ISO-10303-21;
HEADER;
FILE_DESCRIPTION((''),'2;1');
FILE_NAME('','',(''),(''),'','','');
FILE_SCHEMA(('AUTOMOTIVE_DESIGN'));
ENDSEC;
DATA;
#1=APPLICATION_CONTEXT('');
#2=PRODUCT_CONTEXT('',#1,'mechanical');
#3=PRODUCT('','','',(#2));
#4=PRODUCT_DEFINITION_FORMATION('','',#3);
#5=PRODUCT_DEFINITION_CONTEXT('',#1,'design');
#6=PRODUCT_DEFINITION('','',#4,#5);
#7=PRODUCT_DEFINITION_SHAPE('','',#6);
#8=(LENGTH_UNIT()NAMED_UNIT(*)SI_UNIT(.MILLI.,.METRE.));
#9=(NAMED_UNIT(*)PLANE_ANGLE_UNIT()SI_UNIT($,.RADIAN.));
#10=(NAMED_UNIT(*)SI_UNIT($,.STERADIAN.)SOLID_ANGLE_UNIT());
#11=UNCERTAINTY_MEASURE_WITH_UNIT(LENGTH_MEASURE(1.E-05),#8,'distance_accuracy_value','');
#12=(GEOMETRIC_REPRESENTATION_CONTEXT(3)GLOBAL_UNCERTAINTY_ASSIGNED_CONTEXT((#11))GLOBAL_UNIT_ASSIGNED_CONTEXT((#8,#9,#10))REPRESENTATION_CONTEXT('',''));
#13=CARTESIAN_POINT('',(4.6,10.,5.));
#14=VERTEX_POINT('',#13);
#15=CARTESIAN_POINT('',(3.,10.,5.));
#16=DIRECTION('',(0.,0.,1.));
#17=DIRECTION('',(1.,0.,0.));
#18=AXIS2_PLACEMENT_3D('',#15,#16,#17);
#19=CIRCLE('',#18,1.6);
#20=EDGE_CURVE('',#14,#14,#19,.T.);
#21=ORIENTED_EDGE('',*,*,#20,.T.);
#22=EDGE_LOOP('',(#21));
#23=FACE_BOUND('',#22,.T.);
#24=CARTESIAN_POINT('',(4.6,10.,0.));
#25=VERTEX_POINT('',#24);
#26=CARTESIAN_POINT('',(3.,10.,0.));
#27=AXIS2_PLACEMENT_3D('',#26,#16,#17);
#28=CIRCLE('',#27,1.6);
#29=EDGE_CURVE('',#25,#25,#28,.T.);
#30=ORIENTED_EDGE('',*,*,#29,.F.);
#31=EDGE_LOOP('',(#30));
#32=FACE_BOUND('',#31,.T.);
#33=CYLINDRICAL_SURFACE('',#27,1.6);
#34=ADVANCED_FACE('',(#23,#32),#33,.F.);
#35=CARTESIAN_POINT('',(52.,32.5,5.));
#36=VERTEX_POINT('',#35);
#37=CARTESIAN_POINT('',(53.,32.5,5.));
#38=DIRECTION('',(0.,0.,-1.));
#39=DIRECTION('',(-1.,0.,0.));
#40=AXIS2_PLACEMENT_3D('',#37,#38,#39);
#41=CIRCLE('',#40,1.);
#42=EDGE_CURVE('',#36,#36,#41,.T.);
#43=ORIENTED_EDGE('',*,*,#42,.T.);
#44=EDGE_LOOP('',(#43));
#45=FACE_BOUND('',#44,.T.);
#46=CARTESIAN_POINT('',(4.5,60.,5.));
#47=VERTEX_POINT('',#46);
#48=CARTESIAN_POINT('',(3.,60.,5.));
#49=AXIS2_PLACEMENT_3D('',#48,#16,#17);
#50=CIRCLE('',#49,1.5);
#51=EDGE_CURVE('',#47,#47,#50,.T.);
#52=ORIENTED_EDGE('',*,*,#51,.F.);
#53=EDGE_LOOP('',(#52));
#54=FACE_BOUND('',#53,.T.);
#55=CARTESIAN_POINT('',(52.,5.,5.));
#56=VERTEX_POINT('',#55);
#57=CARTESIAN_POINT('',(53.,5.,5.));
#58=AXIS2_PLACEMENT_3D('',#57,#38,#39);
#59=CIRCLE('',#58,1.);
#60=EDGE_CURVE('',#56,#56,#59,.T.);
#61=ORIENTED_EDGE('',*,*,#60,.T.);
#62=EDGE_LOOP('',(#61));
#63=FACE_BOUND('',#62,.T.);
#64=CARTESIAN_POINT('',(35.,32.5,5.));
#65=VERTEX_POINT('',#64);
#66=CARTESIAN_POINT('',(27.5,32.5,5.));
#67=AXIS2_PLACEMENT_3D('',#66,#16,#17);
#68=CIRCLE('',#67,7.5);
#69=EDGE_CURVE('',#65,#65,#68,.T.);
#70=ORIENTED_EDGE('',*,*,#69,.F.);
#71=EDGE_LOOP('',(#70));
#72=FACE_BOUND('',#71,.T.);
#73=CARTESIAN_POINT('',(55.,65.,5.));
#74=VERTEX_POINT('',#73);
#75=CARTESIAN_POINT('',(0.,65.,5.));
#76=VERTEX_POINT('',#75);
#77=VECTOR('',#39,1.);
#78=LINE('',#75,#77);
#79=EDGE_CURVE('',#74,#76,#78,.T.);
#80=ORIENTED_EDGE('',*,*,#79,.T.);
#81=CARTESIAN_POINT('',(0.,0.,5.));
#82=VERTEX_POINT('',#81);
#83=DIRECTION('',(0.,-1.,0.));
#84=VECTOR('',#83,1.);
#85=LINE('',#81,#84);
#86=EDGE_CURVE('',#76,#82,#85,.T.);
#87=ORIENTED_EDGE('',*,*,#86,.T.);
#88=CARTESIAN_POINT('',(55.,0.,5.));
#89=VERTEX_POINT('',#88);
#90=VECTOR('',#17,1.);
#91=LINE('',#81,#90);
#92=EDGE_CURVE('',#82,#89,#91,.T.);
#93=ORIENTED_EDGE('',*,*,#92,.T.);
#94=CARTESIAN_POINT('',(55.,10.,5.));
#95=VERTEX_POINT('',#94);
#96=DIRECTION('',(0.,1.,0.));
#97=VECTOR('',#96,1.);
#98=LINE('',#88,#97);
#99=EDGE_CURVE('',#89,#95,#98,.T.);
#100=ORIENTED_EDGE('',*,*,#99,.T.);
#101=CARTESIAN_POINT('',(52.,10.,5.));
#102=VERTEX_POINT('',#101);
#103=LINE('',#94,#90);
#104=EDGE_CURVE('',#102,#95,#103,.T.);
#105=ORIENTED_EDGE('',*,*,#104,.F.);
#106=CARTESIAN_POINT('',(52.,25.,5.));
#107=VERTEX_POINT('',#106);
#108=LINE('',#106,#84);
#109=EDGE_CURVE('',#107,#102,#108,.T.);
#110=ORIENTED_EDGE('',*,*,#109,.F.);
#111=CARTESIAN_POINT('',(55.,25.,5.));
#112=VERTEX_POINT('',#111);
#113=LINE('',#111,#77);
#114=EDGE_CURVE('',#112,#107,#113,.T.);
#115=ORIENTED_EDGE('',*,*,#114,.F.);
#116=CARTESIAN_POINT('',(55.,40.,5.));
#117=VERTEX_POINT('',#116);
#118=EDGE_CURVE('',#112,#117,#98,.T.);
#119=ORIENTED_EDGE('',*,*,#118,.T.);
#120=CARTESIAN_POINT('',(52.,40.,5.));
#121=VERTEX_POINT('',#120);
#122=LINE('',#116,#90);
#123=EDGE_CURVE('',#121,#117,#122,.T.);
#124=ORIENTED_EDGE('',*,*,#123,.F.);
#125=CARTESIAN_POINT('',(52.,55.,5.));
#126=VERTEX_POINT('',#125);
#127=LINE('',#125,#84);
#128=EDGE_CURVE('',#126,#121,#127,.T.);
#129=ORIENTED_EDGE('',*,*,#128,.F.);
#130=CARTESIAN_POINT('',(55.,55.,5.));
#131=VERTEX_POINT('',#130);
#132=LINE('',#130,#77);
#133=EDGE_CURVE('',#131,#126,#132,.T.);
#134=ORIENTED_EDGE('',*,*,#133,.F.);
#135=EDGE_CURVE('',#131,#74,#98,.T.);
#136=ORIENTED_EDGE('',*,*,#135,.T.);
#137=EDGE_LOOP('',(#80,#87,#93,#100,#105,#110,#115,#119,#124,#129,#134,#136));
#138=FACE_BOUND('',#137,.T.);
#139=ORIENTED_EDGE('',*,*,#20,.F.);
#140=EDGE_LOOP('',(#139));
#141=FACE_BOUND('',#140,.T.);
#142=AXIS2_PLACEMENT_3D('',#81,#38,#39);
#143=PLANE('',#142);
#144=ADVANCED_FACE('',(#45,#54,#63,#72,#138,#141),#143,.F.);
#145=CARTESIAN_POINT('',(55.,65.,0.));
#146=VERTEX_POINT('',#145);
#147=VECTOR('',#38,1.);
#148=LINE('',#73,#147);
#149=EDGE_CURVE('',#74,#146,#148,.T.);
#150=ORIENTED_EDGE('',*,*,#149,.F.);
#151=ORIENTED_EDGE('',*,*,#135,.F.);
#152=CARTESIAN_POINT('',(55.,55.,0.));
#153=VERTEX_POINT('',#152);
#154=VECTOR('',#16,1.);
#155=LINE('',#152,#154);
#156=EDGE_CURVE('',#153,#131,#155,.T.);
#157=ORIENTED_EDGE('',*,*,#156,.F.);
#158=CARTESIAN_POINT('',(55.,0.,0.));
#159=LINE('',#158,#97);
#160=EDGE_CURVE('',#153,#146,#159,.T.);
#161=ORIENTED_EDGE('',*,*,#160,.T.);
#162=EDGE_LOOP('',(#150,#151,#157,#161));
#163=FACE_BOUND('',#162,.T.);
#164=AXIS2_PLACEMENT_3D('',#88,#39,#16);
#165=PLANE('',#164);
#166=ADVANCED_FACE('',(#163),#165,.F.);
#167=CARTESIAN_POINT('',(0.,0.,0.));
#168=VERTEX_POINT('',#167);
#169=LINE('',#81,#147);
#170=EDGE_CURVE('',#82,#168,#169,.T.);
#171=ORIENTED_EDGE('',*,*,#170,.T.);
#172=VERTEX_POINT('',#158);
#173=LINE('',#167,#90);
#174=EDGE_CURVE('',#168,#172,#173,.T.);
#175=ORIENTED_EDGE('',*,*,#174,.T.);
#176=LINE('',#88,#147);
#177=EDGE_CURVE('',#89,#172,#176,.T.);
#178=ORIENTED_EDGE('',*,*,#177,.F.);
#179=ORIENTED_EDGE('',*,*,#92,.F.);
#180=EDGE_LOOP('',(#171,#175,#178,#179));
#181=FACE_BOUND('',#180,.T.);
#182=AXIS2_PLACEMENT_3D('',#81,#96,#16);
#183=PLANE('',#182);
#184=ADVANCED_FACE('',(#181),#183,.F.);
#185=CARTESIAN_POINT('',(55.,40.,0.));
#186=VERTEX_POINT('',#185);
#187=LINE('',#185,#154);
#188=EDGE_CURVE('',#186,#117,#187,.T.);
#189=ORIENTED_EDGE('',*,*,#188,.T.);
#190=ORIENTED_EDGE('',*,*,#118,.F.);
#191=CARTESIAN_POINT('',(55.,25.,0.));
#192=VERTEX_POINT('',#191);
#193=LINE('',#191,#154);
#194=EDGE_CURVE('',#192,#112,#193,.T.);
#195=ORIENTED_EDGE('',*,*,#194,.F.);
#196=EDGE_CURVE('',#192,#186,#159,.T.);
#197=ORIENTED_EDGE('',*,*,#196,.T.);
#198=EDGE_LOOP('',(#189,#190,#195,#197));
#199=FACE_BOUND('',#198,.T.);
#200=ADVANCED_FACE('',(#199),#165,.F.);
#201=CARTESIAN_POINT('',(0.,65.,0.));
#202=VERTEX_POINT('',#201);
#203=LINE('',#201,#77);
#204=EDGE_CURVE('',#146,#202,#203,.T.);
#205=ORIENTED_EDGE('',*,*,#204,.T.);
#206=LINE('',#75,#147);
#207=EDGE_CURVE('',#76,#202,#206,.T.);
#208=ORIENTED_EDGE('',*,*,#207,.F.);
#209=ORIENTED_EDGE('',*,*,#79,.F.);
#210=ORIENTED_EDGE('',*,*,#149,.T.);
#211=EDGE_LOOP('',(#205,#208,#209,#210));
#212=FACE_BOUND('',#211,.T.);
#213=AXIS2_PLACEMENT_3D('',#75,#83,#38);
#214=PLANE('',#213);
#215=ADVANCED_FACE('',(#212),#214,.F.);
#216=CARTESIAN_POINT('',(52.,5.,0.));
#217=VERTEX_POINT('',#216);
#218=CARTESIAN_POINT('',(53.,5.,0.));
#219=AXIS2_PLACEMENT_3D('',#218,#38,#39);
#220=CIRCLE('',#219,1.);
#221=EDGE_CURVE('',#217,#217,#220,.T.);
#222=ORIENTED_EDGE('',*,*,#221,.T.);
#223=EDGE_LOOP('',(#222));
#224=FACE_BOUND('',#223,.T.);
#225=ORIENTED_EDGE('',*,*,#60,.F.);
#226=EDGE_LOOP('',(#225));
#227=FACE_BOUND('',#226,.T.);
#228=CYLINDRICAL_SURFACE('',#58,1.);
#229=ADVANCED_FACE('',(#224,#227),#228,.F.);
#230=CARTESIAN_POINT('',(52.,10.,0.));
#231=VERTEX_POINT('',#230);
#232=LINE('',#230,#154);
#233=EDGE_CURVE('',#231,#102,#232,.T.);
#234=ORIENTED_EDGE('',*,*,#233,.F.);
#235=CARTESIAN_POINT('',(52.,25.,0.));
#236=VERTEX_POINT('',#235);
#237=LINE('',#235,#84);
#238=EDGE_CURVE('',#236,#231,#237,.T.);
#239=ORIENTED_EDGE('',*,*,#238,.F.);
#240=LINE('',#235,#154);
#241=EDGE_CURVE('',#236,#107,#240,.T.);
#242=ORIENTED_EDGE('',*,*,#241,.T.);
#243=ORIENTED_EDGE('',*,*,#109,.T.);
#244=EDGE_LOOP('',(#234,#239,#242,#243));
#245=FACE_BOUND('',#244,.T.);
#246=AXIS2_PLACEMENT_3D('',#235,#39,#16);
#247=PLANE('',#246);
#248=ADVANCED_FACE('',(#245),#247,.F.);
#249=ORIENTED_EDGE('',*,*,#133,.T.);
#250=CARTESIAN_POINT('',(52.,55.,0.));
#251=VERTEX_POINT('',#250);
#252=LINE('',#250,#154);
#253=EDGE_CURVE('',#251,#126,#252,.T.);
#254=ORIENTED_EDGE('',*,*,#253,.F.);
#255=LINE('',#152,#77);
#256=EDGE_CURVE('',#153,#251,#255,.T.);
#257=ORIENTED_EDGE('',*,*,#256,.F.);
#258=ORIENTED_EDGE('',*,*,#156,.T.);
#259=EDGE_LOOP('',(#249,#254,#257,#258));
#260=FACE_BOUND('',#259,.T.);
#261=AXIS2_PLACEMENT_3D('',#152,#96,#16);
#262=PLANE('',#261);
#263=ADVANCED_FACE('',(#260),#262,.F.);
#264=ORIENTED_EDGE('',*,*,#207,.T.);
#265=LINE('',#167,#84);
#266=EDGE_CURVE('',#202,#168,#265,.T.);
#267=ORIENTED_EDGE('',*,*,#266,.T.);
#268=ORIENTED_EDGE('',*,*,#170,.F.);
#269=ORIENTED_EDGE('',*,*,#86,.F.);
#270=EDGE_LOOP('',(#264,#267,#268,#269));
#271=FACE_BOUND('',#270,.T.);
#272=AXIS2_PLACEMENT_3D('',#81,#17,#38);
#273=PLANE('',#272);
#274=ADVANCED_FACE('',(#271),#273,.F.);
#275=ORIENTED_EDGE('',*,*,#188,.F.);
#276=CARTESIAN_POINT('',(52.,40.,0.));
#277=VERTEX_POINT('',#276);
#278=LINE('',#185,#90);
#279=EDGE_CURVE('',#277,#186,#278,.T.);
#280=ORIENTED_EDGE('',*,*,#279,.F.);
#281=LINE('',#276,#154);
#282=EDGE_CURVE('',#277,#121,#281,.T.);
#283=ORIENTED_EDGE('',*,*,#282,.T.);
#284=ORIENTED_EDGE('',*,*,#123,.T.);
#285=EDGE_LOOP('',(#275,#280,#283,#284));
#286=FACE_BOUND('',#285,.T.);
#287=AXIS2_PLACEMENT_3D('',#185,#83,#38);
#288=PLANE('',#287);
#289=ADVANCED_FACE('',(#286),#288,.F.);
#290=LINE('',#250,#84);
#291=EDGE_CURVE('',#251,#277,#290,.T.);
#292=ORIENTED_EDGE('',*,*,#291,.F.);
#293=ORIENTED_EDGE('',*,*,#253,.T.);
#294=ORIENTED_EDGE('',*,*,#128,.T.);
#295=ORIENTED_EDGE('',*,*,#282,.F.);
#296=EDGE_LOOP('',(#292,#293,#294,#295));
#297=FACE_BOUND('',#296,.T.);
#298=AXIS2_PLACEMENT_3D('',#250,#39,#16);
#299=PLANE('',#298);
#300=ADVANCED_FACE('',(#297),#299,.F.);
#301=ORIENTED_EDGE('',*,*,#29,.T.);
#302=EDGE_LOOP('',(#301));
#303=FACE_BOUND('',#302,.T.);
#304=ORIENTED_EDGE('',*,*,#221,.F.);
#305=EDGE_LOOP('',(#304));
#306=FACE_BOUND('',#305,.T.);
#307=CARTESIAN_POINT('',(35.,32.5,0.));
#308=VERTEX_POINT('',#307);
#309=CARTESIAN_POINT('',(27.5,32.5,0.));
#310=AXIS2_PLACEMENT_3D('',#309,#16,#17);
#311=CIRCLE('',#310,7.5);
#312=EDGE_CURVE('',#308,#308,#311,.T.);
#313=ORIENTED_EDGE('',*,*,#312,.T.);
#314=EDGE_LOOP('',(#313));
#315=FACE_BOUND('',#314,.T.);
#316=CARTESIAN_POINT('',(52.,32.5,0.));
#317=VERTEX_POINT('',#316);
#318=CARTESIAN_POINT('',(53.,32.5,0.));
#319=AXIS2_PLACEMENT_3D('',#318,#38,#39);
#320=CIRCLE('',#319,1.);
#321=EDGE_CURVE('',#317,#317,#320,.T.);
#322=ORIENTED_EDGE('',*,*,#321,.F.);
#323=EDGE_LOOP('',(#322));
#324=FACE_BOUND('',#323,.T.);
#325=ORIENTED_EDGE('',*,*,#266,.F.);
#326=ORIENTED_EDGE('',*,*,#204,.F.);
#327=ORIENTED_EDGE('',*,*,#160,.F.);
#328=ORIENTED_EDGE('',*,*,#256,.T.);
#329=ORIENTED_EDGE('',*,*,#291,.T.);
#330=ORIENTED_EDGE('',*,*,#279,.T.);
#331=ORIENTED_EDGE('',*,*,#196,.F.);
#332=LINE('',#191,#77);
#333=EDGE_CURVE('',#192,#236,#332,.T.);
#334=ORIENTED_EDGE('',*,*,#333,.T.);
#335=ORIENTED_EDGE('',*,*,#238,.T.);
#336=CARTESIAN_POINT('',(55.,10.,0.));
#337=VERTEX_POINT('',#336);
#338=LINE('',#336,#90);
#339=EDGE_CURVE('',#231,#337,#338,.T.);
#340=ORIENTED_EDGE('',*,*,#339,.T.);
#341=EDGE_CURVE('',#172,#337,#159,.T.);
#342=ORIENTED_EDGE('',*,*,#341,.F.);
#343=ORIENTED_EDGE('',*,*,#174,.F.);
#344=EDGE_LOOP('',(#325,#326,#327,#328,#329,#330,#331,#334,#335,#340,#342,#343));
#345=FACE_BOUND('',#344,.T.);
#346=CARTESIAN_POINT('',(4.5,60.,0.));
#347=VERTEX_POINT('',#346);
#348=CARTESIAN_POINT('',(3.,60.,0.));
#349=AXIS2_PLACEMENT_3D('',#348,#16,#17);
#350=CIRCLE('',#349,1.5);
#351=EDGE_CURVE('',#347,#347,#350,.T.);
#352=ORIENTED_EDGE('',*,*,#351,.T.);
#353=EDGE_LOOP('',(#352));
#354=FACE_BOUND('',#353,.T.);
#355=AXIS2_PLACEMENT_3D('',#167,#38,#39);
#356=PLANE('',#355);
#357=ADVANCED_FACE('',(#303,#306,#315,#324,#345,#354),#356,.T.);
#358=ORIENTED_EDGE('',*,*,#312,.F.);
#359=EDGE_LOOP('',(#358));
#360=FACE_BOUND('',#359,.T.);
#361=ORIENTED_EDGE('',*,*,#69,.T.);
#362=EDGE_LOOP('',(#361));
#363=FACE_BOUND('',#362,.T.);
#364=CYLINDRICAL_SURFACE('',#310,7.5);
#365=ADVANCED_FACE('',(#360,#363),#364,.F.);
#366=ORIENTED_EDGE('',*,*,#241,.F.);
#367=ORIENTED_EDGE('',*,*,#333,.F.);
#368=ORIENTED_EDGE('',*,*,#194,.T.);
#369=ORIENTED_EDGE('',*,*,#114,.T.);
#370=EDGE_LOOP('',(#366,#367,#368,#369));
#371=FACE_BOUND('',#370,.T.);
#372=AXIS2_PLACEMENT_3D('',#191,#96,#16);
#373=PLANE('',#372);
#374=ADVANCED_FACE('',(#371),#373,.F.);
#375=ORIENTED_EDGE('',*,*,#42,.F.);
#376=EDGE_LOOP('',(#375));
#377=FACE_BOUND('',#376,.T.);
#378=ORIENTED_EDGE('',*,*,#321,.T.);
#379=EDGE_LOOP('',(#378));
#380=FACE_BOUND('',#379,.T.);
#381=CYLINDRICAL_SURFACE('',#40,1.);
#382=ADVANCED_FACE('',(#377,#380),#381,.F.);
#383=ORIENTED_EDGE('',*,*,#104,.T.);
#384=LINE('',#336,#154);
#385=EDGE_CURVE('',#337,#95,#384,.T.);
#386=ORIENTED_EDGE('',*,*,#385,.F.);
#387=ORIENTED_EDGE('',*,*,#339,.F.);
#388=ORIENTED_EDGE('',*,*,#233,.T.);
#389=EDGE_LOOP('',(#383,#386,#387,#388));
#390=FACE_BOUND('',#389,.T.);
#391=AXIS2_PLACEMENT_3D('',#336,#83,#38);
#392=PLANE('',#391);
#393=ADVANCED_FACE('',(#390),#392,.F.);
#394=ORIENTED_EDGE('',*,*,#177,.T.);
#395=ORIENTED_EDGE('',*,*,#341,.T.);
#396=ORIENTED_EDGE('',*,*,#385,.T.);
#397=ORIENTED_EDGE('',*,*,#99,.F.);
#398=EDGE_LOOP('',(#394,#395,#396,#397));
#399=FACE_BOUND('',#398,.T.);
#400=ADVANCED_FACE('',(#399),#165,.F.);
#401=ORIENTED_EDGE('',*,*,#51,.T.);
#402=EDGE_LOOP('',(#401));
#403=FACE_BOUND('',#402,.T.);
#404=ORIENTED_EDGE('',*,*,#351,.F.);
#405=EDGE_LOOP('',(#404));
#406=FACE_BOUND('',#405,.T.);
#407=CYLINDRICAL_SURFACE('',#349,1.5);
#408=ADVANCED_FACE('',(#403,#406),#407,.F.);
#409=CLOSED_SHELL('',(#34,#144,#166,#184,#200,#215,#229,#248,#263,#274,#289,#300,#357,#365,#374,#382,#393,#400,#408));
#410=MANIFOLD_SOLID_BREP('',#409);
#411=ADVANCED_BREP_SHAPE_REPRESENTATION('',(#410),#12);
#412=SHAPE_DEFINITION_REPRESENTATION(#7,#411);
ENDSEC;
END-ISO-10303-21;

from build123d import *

# Parameters (mm, degrees)
SKETCH_1_W          = 55
SKETCH_1_H          = 65
EXTRUDE_1_DEPTH     = 5
SKETCH_2_W          = 3
SKETCH_2_H          = 15
CUT_EXTRUDE_1_DEPTH = 86.293610546
SKETCH_4_R          = 7.5
CUT_EXTRUDE_2_DEPTH = 86.293610546
SKETCH_5_R          = 1.5
SKETCH_5_R_2        = 1.6
CUT_EXTRUDE_3_DEPTH = 86.293610546
SKETCH_6_R          = 1
CUT_EXTRUDE_4_DEPTH = 86.293610546


with BuildPart() as part:
    # 草图1 → 凸台-拉伸1 (new body)
    with BuildSketch(Plane.XY):
        with Locations((27.5, 32.5)):
            Rectangle(SKETCH_1_W, SKETCH_1_H)
    extrude(amount=EXTRUDE_1_DEPTH)

    # 草图2 → 切除-拉伸1 (cut, through all)
    with BuildSketch(Plane.XY.offset(5)):
        with Locations((53.5, 47.5)):
            Rectangle(SKETCH_2_W, SKETCH_2_H)
        with Locations((53.5, 17.5)):
            Rectangle(SKETCH_2_W, SKETCH_2_H)
    extrude(amount=-CUT_EXTRUDE_1_DEPTH, mode=Mode.SUBTRACT)

    # 草图4 → 切除-拉伸2 (cut, through all)
    with BuildSketch(Plane.XY.offset(5)):
        with Locations((27.5, 32.5)):
            Circle(SKETCH_4_R)
    extrude(amount=-CUT_EXTRUDE_2_DEPTH, mode=Mode.SUBTRACT)

    # 草图5 → 切除-拉伸3 (cut, through all)
    with BuildSketch(Plane.XY.offset(5)):
        with Locations((3, 60)):
            Circle(SKETCH_5_R)
        with Locations((3, 10)):
            Circle(SKETCH_5_R_2)
    extrude(amount=-CUT_EXTRUDE_3_DEPTH, mode=Mode.SUBTRACT)

    # 草图6 → 切除-拉伸4 (cut, through all)
    with BuildSketch(Plane(origin=(0, 0, 0), x_dir=(-1, 0, 0), z_dir=(0, 0, -1))):
        with Locations((-53, 32.5)):
            Circle(SKETCH_6_R)
        with Locations((-53, 5)):
            Circle(SKETCH_6_R)
    extrude(amount=-CUT_EXTRUDE_4_DEPTH, mode=Mode.SUBTRACT)


solid = part.part
